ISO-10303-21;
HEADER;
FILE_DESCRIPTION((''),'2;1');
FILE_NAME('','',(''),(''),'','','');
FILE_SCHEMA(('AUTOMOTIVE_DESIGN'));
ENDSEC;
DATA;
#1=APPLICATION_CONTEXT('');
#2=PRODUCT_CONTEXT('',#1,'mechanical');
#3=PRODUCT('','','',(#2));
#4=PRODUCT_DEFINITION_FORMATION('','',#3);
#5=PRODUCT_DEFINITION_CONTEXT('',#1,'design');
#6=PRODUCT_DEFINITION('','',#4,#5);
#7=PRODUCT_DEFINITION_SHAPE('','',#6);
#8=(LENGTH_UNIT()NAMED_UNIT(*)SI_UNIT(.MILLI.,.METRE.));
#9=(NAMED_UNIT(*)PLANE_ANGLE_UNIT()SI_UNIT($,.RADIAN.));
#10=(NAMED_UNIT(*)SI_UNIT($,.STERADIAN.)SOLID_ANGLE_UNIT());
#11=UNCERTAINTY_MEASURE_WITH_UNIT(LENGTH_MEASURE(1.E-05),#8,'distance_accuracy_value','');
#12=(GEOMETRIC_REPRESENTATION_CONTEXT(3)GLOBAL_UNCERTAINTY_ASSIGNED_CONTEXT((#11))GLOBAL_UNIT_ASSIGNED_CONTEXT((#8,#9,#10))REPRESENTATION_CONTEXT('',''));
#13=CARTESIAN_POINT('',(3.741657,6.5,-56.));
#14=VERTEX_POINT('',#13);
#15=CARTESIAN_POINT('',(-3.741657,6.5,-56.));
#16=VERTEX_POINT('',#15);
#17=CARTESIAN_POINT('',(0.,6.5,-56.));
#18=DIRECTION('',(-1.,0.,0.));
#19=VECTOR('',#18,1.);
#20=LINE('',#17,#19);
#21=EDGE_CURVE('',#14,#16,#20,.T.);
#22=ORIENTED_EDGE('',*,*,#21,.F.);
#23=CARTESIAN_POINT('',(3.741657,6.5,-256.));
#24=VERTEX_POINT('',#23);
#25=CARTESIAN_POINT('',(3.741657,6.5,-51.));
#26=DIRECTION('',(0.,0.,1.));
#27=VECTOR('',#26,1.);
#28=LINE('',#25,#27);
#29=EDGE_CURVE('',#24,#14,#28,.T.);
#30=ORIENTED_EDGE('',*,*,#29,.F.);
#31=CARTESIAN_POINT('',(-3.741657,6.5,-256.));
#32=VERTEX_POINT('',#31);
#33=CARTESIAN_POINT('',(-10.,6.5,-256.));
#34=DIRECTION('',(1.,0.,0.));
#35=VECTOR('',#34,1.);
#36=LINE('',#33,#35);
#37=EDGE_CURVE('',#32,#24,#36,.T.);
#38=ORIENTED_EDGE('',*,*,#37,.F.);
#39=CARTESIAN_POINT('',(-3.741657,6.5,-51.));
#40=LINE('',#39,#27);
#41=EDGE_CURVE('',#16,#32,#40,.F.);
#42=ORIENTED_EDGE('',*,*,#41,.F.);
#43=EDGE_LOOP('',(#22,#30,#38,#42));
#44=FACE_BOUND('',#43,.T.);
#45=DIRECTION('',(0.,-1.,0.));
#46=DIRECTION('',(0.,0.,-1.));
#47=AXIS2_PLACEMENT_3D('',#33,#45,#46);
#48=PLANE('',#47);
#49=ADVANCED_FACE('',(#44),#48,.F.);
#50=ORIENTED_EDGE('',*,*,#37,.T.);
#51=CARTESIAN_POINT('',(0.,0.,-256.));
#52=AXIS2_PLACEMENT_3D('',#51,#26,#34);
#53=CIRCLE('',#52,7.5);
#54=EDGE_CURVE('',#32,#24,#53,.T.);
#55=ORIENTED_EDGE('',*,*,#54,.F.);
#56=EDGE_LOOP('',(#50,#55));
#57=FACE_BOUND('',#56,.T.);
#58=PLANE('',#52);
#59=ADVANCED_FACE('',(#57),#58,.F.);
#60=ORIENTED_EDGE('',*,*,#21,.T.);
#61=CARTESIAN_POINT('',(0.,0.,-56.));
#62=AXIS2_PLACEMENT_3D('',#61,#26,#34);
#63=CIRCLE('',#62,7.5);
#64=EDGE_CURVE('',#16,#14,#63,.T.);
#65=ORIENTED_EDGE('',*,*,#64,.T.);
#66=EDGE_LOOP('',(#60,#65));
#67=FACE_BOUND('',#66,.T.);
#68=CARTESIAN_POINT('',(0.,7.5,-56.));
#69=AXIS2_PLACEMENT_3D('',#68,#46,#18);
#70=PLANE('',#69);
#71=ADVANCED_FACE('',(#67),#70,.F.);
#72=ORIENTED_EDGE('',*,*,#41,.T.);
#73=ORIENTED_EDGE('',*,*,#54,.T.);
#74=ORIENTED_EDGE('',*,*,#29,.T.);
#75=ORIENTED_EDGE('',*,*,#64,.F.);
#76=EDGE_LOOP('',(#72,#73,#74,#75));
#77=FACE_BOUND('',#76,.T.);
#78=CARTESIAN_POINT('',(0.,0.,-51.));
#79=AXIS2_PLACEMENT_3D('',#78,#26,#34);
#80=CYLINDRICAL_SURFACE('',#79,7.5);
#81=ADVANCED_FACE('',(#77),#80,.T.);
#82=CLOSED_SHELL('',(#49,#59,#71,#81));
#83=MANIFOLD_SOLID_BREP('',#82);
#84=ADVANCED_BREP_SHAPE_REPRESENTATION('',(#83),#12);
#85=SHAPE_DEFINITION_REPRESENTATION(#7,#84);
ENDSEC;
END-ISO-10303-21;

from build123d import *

# Parameters (mm, degrees)
SKETCH_1_W          = 200
SKETCH_1_H          = 7.5
SKETCH_2_W          = 20
SKETCH_2_H          = 5.5
CUT_EXTRUDE_2_DEPTH = 257.219632347


with BuildPart() as part:
    # 草图1 → 旋转1 (revolve)
    with BuildSketch(Plane(origin=(0, 0, 0), x_dir=(0, 0, -1), z_dir=(1, 0, 0)), mode=Mode.PRIVATE) as revolve_1_sk:
        with Locations((156, 3.75)):
            Rectangle(SKETCH_1_W, SKETCH_1_H)
    revolve(revolve_1_sk.sketch.rotate(Axis((0, 0, -51), (0, 0, -1)), 90), axis=Axis((0, 0, -51), (0, 0, -1)))

    # 草图2 → 切除-拉伸2 (cut, through all)
    with BuildSketch(Plane.XY):
        with Locations((0, 9.25)):
            Rectangle(SKETCH_2_W, SKETCH_2_H)
    extrude(amount=-CUT_EXTRUDE_2_DEPTH, mode=Mode.SUBTRACT)


solid = part.part
